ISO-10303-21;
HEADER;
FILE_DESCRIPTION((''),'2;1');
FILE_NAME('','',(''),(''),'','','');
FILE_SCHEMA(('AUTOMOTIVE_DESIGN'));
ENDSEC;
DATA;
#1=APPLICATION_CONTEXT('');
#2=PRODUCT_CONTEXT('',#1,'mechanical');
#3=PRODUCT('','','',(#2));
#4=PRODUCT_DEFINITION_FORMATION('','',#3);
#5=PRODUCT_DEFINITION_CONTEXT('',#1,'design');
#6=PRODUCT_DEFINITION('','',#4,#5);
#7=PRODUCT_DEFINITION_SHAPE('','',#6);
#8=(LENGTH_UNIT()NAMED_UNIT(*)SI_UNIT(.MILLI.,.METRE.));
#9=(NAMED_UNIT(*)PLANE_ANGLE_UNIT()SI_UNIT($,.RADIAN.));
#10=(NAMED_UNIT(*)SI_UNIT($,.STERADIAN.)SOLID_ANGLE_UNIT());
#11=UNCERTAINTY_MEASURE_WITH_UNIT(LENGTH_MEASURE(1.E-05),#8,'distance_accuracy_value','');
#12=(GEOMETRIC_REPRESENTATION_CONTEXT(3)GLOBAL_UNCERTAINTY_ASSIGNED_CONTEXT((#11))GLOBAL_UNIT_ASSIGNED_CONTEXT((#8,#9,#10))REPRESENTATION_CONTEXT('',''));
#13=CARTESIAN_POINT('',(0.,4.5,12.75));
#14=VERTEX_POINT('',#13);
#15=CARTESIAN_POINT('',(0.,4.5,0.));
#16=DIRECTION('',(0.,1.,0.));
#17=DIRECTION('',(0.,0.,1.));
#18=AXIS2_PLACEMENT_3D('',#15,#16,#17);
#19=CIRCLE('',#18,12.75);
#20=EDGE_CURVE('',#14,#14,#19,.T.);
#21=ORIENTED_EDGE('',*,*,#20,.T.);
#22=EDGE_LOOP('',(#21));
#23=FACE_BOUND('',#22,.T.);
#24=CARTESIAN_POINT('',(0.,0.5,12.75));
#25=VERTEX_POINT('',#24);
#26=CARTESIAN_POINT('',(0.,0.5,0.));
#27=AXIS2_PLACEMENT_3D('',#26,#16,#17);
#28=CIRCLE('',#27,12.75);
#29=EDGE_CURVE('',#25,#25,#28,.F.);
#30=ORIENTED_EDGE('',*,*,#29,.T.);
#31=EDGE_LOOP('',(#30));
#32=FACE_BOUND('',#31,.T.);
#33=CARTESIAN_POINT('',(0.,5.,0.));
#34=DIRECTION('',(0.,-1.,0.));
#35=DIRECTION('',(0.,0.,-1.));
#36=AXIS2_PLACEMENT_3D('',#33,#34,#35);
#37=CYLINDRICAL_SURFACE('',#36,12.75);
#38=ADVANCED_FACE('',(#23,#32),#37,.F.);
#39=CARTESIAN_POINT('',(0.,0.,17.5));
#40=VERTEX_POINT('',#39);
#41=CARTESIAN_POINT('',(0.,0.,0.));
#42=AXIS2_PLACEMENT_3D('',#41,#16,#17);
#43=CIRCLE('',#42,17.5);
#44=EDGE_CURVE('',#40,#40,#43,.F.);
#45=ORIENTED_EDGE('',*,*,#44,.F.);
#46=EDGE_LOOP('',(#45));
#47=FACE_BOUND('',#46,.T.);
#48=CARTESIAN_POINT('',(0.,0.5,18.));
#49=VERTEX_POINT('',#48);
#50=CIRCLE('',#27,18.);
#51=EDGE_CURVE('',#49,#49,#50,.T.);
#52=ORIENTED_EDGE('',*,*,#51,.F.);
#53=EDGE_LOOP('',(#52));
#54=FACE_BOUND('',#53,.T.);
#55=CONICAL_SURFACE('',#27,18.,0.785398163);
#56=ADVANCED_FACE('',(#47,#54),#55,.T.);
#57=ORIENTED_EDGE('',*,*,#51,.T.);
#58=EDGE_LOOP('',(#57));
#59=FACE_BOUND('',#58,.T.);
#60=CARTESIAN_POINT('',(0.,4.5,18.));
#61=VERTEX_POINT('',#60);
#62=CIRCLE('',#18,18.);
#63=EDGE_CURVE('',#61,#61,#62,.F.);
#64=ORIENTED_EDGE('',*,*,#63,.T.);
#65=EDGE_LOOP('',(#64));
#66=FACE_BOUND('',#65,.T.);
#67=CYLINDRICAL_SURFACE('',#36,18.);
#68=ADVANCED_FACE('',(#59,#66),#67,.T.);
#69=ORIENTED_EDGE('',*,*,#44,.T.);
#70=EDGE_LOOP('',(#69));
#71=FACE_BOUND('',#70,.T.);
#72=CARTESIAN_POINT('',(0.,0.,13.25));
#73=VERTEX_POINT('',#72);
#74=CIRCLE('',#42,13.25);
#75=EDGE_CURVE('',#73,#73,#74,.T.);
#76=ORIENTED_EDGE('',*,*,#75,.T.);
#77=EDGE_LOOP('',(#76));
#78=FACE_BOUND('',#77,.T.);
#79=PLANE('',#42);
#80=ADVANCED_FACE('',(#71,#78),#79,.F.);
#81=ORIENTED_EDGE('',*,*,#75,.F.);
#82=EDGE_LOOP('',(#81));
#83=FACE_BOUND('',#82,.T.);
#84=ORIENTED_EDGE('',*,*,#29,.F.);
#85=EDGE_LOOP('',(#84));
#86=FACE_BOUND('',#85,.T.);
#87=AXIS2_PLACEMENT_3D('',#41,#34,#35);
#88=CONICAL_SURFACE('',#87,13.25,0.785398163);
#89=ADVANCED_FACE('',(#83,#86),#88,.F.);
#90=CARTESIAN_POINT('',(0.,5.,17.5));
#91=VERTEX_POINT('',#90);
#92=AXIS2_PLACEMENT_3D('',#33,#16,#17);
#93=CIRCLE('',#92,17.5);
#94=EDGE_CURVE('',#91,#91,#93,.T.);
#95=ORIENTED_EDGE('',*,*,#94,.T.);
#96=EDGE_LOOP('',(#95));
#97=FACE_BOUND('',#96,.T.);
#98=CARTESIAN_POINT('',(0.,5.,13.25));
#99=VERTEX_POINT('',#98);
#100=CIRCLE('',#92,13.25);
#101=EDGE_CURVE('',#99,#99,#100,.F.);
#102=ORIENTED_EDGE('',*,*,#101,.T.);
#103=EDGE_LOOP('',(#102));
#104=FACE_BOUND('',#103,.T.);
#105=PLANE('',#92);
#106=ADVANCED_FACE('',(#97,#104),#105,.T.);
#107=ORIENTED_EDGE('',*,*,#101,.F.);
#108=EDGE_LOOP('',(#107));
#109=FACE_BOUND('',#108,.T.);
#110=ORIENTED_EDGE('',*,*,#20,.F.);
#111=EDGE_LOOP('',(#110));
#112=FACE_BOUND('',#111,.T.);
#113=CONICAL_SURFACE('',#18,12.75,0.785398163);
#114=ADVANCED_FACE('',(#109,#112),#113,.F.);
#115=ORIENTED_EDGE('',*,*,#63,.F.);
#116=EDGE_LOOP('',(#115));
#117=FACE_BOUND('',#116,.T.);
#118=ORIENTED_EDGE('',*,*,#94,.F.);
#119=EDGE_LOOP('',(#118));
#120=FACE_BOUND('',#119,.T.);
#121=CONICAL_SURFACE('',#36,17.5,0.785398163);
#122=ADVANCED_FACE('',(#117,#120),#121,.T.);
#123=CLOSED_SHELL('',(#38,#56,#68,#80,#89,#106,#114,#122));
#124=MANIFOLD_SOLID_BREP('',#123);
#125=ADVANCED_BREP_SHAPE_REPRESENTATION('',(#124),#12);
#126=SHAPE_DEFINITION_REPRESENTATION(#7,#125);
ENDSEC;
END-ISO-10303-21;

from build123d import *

# Parameters (mm, degrees)
SKETCH_1_R      = 18
SKETCH_1_R_2    = 12.75
EXTRUDE_1_DEPTH = 5
CHAMFER_1_SIZE  = 0.5


with BuildPart() as part:
    # 草图1 → 凸台-拉伸1 (new body)
    with BuildSketch(Plane(origin=(0, 0, 0), x_dir=(1, 0, 0), z_dir=(0, 1, 0))):
        with Locations(Location((0, 0, 0), (0, 0, 270))):
            Circle(SKETCH_1_R)
        with Locations(Location((0, 0, 0), (0, 0, 270))):
            Circle(SKETCH_1_R_2, mode=Mode.SUBTRACT)
    extrude(amount=EXTRUDE_1_DEPTH)

    # 倒角1
    chamfer_1_edges = [part.edges().sort_by_distance(p)[0] for p in [
        (0, 0, -18),
        (0, 5, -18),
        (0, 0, -12.75),
        (0, 5, -12.75),
    ]]
    chamfer(chamfer_1_edges, length=CHAMFER_1_SIZE)


solid = part.part
